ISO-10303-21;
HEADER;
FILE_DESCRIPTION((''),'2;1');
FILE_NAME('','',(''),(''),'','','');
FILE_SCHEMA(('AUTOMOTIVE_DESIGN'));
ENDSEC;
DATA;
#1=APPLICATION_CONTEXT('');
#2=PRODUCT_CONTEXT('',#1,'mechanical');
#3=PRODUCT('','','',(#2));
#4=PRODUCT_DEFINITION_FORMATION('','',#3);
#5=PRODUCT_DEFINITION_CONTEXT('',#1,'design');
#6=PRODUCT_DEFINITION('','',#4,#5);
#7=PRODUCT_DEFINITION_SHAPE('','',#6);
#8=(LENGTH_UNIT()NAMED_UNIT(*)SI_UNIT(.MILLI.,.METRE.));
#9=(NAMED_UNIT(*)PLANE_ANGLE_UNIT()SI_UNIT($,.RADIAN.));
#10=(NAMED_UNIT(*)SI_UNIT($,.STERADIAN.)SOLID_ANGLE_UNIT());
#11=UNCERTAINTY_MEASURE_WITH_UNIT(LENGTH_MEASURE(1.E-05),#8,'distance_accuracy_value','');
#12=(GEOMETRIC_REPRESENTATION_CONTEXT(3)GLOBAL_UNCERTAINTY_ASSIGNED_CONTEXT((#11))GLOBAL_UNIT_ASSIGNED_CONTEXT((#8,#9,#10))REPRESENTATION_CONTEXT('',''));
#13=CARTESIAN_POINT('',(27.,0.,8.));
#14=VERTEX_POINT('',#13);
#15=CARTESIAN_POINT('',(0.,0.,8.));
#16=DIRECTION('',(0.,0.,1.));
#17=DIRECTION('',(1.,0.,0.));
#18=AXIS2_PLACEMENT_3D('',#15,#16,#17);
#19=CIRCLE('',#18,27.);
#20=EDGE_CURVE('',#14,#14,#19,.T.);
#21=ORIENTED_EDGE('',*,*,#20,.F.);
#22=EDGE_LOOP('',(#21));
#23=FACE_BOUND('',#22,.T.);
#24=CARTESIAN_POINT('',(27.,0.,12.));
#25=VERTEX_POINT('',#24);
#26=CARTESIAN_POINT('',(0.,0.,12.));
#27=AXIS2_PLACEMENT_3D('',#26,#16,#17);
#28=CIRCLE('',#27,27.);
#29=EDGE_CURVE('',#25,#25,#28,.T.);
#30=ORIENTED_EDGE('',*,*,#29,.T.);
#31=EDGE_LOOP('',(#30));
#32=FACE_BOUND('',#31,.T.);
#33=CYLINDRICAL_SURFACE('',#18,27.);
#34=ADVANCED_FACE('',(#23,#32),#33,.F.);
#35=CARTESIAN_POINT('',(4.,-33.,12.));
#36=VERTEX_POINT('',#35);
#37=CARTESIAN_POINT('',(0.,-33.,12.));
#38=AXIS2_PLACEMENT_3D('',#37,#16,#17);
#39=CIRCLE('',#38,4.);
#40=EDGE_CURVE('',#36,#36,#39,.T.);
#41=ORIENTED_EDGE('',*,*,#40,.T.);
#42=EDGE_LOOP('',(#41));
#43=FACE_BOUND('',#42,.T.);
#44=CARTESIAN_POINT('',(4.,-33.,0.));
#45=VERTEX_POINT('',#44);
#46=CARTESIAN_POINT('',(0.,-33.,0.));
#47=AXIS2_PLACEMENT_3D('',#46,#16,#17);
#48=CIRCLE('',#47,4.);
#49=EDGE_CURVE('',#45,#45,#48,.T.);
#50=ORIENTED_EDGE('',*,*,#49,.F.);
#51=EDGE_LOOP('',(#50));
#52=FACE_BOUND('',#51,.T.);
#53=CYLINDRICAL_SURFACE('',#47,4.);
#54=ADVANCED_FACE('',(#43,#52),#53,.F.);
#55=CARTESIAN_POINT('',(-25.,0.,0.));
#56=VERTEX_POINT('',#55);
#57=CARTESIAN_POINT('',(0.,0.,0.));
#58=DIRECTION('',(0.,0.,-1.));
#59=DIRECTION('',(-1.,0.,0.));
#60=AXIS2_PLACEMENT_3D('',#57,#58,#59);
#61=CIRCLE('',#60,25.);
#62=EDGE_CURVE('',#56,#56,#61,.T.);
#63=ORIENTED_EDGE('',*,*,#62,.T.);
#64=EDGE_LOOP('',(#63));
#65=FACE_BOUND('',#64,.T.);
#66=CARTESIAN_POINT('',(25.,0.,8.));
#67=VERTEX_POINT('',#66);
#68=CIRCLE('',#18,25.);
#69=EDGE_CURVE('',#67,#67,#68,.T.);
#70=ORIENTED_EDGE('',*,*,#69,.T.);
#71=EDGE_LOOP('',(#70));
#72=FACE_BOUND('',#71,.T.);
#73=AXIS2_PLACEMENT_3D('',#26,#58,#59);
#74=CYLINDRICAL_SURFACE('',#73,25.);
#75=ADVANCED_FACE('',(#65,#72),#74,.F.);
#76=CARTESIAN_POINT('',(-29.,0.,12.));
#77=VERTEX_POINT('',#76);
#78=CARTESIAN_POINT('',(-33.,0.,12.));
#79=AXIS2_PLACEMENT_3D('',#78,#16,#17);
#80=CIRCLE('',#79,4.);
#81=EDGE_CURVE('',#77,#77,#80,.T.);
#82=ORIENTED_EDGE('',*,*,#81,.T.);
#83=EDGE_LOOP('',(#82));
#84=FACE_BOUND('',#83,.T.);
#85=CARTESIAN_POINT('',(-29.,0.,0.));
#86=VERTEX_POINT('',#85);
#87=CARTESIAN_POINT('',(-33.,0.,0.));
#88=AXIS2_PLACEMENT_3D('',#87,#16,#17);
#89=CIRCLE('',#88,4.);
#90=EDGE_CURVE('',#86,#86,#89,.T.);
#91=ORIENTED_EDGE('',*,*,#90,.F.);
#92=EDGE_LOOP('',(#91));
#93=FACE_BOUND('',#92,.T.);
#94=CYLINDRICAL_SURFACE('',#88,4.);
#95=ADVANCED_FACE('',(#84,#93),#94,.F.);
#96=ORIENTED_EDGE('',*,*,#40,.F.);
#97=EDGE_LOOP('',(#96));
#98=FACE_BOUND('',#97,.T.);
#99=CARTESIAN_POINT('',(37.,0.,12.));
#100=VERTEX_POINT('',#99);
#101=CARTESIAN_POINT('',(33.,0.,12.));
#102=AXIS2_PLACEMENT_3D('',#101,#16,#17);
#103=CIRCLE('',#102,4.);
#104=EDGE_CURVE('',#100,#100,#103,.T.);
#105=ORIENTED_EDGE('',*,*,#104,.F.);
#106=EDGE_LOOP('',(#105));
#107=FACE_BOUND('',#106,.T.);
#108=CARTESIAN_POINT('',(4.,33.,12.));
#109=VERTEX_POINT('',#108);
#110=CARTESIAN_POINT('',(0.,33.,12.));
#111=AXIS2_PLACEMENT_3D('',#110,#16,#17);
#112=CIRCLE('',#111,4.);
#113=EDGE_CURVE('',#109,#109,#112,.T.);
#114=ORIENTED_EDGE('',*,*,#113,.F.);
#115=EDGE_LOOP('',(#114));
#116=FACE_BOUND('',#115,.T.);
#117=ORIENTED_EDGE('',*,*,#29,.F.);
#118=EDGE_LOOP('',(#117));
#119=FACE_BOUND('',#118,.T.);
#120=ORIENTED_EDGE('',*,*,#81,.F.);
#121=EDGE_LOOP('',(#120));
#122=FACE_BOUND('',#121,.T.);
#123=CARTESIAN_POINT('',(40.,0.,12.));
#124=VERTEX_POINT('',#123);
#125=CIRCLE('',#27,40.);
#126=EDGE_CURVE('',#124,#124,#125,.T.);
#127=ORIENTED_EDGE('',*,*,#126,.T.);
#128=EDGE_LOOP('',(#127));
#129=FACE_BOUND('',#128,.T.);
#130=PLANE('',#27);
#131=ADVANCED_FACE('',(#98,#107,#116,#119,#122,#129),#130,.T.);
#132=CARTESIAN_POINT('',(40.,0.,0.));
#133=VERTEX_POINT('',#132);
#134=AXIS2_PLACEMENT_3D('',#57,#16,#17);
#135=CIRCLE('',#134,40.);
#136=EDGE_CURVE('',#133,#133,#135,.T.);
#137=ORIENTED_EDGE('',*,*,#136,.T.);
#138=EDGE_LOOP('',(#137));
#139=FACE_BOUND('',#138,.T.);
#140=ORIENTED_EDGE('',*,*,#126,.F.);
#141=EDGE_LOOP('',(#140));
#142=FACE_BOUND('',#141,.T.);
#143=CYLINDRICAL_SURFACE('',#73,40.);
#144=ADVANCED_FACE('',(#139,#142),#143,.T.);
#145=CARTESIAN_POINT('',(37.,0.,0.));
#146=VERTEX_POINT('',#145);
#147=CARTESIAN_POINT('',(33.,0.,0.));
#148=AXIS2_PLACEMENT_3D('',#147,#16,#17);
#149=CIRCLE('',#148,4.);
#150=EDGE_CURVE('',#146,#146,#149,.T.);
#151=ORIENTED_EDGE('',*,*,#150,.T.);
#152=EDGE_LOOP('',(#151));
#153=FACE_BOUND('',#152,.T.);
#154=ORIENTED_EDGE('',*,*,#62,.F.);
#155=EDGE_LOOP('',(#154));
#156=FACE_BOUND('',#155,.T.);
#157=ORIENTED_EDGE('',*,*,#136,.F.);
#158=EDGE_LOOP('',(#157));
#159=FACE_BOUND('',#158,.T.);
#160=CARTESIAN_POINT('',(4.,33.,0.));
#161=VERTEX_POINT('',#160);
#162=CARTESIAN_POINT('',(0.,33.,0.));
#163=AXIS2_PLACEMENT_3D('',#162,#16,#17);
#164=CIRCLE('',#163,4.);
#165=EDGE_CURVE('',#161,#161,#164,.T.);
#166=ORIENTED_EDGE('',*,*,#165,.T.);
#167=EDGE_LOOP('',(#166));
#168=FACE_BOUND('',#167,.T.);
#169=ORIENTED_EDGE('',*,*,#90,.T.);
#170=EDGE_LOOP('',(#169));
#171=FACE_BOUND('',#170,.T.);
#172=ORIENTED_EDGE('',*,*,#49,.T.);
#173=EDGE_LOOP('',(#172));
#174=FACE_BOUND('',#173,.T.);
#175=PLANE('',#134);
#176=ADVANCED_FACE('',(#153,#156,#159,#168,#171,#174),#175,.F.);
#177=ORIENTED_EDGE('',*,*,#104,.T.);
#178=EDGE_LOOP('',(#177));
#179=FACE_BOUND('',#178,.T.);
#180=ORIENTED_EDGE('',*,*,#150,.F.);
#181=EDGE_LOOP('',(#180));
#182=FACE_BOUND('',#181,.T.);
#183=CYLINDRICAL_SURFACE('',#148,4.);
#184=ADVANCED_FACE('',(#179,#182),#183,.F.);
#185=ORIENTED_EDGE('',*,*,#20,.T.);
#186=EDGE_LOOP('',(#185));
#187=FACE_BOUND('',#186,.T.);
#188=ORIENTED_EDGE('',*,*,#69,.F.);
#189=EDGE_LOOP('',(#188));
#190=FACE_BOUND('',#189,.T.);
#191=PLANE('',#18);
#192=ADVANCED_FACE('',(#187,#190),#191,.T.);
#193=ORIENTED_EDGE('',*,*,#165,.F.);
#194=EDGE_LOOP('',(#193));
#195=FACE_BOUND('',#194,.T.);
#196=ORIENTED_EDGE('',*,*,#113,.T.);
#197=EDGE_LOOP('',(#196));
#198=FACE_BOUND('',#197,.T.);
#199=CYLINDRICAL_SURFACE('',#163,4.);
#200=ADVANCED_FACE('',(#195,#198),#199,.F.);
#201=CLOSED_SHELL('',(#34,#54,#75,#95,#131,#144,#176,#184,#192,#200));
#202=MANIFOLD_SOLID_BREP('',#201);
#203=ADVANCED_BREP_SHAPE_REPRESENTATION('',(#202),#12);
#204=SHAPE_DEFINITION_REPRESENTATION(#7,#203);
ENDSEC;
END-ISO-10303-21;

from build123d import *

# Parameters (mm, degrees)
SKETCH1_R           = 40
BOSS_EXTRUDE1_DEPTH = 12
SKETCH2_R           = 25
CUT_EXTRUDE1_DEPTH  = 58.827329179
SKETCH3_R           = 4
CUT_EXTRUDE2_DEPTH  = 58.827329179
CUT_EXTRUDE3_START  = -4
SKETCH4_R           = 27
SKETCH4_R_2         = 25
CUT_EXTRUDE3_DEPTH  = 4


with BuildPart() as part:
    # Sketch1 → Boss-Extrude1 (new body)
    with BuildSketch(Plane.XY):
        Circle(SKETCH1_R)
    extrude(amount=BOSS_EXTRUDE1_DEPTH)

    # Sketch2 → Cut-Extrude1 (cut, through all)
    with BuildSketch(Plane(origin=(0, 0, 0), x_dir=(-1, 0, 0), z_dir=(0, 0, -1))):
        Circle(SKETCH2_R)
    extrude(amount=-CUT_EXTRUDE1_DEPTH, mode=Mode.SUBTRACT)

    # Sketch3 → Cut-Extrude2 (cut, through all)
    with BuildSketch(Plane.XY.offset(12)):
        with Locations((-33, 0)):
            Circle(SKETCH3_R)
        with Locations((0, 33)):
            Circle(SKETCH3_R)
        with Locations((33, 0)):
            Circle(SKETCH3_R)
        with Locations((0, -33)):
            Circle(SKETCH3_R)
    extrude(amount=-CUT_EXTRUDE2_DEPTH, mode=Mode.SUBTRACT)

    # Sketch4 → Cut-Extrude3 (cut)
    with BuildSketch(Plane.XY.offset(12).offset(CUT_EXTRUDE3_START)):
        Circle(SKETCH4_R)
        with Locations(Location((0, 0, 0), (0, 0, 180))):
            Circle(SKETCH4_R_2, mode=Mode.SUBTRACT)
    extrude(amount=CUT_EXTRUDE3_DEPTH, mode=Mode.SUBTRACT)


solid = part.part
